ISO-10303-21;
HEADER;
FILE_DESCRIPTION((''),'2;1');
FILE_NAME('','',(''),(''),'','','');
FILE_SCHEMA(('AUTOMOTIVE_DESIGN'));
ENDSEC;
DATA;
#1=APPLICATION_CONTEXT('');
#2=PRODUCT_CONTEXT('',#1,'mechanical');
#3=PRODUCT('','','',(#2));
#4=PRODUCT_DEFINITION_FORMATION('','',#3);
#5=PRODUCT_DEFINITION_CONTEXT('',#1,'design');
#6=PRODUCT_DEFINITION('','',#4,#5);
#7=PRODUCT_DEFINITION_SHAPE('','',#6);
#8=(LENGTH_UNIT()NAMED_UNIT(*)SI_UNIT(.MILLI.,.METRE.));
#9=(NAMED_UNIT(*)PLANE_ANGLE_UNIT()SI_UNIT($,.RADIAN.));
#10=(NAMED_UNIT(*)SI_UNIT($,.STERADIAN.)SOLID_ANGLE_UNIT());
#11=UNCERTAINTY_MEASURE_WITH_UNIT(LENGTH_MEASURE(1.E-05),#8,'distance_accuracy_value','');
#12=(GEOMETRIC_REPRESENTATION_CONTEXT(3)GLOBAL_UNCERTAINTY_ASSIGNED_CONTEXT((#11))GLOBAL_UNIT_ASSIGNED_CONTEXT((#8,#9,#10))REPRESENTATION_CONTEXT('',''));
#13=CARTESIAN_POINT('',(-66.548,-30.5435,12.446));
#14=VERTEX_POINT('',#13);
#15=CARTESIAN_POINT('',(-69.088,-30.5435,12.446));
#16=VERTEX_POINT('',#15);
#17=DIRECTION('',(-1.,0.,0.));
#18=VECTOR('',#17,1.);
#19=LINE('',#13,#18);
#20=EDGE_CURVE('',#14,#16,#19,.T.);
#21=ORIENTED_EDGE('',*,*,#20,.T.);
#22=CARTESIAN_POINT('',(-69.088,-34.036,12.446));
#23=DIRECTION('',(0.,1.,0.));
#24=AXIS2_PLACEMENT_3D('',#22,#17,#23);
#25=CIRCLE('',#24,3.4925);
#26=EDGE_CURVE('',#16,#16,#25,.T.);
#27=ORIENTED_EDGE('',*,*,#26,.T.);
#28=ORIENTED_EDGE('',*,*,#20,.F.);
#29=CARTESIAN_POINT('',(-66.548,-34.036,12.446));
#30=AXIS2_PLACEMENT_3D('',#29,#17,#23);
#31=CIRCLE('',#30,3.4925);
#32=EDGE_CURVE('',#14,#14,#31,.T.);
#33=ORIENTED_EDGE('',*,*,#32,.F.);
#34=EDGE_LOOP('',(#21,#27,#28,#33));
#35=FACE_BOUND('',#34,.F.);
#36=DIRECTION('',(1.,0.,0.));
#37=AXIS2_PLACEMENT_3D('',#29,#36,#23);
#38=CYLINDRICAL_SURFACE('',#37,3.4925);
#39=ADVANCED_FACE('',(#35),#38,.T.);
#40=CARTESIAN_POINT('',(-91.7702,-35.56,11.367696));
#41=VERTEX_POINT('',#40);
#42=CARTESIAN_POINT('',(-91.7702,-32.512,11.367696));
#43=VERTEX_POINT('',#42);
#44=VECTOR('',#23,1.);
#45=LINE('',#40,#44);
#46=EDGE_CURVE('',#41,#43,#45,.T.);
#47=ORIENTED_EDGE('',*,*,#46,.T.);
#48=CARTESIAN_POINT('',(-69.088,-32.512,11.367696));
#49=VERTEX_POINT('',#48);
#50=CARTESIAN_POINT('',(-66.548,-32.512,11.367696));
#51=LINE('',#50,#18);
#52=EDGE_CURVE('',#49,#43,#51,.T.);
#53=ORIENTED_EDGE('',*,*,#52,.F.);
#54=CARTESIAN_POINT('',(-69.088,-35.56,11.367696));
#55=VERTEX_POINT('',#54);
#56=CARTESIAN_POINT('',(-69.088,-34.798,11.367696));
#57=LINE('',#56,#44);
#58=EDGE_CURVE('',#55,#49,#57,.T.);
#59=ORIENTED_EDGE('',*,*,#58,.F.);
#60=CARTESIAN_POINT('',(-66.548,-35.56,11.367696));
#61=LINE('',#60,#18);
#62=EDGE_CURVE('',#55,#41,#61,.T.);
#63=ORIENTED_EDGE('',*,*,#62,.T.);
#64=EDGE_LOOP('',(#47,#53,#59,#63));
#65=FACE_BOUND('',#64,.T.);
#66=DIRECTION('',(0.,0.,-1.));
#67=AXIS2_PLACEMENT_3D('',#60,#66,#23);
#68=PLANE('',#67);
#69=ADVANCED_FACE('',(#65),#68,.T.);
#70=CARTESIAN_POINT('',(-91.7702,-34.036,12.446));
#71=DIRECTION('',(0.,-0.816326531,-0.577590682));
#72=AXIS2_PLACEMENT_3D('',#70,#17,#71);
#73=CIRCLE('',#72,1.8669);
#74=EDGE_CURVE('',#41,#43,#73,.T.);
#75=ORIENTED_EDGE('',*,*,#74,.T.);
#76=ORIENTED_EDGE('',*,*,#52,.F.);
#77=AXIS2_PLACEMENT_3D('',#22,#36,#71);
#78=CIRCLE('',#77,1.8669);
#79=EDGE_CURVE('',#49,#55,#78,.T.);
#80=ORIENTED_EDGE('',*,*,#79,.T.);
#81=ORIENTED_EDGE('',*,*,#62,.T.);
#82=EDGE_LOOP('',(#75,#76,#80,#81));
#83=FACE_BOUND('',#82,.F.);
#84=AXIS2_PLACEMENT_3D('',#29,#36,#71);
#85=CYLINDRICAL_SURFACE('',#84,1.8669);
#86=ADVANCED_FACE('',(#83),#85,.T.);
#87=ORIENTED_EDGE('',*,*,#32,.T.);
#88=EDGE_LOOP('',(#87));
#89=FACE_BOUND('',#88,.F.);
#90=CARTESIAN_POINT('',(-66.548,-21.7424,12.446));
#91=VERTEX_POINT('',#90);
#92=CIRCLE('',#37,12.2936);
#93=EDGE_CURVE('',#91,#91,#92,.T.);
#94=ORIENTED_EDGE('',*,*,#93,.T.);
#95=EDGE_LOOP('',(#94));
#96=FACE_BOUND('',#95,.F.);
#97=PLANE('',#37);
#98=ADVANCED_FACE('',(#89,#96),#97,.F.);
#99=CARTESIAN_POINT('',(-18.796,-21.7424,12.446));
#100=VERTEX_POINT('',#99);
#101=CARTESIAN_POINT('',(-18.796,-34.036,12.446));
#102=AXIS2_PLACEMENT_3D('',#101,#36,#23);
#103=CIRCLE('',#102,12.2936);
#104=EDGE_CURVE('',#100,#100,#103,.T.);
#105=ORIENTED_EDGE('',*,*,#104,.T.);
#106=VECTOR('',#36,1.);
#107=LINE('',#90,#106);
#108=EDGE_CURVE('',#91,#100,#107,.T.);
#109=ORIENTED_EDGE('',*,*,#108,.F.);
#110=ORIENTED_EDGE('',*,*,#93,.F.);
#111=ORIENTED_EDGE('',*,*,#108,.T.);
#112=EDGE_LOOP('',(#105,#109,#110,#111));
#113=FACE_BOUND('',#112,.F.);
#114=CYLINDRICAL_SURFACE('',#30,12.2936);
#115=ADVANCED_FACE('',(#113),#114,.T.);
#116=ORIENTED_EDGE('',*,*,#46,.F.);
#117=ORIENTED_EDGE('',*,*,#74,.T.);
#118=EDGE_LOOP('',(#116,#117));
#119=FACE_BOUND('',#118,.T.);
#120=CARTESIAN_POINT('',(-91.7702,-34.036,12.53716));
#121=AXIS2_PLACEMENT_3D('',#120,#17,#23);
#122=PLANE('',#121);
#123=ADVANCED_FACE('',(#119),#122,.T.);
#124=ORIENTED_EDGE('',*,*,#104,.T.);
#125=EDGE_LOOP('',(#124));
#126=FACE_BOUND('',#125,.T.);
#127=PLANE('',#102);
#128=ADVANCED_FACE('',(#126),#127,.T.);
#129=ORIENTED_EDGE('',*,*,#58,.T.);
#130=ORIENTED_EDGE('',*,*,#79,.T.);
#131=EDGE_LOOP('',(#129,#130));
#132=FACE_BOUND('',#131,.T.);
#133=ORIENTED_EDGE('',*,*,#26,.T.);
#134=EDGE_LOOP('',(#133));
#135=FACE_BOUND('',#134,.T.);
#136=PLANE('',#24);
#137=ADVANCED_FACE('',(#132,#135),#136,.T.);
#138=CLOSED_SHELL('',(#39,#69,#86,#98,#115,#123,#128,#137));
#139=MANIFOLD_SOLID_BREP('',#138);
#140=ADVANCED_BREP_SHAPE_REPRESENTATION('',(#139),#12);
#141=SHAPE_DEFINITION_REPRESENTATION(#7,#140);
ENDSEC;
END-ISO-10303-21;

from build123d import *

# Parameters (mm, degrees)
SKETCH058_R  = 12.2936
PAD026_DEPTH = 47.752
PAD027_DEPTH = 25.2222
SKETCH062_R  = 3.4925
PAD029_DEPTH = 2.54


with BuildPart() as part:
    # Sketch058 → Pad026 (new body)
    with BuildSketch(Plane.YZ):
        Circle(SKETCH058_R)
    extrude(amount=PAD026_DEPTH)

    # Sketch059 (on Face2 of Pad026) → Pad027 (join)
    with BuildSketch(Plane(origin=(0, 0, 0), x_dir=(0, 1, 0), z_dir=(-1, 0, 0))):
        with BuildLine():
            ThreePointArc((-1.524, 1.0783040434), (0, -1.8669), (1.524, 1.0783040434))
            Line((-1.524, 1.0783040434), (1.524, 1.0783040434))
        make_face()
    extrude(amount=PAD027_DEPTH)

    # Sketch062 (on Face2 of Pad027) → Pad029 (join)
    with BuildSketch(Plane(origin=(0, 0, 0), x_dir=(0, 1, 0), z_dir=(-1, 0, 0))):
        Circle(SKETCH062_R)
    extrude(amount=PAD029_DEPTH)


with BuildPart() as part_1:
    # Body021 placement: moved
    add(part.part.moved(Location((-66.548, -34.036, 12.446))))


solid = part_1.part
